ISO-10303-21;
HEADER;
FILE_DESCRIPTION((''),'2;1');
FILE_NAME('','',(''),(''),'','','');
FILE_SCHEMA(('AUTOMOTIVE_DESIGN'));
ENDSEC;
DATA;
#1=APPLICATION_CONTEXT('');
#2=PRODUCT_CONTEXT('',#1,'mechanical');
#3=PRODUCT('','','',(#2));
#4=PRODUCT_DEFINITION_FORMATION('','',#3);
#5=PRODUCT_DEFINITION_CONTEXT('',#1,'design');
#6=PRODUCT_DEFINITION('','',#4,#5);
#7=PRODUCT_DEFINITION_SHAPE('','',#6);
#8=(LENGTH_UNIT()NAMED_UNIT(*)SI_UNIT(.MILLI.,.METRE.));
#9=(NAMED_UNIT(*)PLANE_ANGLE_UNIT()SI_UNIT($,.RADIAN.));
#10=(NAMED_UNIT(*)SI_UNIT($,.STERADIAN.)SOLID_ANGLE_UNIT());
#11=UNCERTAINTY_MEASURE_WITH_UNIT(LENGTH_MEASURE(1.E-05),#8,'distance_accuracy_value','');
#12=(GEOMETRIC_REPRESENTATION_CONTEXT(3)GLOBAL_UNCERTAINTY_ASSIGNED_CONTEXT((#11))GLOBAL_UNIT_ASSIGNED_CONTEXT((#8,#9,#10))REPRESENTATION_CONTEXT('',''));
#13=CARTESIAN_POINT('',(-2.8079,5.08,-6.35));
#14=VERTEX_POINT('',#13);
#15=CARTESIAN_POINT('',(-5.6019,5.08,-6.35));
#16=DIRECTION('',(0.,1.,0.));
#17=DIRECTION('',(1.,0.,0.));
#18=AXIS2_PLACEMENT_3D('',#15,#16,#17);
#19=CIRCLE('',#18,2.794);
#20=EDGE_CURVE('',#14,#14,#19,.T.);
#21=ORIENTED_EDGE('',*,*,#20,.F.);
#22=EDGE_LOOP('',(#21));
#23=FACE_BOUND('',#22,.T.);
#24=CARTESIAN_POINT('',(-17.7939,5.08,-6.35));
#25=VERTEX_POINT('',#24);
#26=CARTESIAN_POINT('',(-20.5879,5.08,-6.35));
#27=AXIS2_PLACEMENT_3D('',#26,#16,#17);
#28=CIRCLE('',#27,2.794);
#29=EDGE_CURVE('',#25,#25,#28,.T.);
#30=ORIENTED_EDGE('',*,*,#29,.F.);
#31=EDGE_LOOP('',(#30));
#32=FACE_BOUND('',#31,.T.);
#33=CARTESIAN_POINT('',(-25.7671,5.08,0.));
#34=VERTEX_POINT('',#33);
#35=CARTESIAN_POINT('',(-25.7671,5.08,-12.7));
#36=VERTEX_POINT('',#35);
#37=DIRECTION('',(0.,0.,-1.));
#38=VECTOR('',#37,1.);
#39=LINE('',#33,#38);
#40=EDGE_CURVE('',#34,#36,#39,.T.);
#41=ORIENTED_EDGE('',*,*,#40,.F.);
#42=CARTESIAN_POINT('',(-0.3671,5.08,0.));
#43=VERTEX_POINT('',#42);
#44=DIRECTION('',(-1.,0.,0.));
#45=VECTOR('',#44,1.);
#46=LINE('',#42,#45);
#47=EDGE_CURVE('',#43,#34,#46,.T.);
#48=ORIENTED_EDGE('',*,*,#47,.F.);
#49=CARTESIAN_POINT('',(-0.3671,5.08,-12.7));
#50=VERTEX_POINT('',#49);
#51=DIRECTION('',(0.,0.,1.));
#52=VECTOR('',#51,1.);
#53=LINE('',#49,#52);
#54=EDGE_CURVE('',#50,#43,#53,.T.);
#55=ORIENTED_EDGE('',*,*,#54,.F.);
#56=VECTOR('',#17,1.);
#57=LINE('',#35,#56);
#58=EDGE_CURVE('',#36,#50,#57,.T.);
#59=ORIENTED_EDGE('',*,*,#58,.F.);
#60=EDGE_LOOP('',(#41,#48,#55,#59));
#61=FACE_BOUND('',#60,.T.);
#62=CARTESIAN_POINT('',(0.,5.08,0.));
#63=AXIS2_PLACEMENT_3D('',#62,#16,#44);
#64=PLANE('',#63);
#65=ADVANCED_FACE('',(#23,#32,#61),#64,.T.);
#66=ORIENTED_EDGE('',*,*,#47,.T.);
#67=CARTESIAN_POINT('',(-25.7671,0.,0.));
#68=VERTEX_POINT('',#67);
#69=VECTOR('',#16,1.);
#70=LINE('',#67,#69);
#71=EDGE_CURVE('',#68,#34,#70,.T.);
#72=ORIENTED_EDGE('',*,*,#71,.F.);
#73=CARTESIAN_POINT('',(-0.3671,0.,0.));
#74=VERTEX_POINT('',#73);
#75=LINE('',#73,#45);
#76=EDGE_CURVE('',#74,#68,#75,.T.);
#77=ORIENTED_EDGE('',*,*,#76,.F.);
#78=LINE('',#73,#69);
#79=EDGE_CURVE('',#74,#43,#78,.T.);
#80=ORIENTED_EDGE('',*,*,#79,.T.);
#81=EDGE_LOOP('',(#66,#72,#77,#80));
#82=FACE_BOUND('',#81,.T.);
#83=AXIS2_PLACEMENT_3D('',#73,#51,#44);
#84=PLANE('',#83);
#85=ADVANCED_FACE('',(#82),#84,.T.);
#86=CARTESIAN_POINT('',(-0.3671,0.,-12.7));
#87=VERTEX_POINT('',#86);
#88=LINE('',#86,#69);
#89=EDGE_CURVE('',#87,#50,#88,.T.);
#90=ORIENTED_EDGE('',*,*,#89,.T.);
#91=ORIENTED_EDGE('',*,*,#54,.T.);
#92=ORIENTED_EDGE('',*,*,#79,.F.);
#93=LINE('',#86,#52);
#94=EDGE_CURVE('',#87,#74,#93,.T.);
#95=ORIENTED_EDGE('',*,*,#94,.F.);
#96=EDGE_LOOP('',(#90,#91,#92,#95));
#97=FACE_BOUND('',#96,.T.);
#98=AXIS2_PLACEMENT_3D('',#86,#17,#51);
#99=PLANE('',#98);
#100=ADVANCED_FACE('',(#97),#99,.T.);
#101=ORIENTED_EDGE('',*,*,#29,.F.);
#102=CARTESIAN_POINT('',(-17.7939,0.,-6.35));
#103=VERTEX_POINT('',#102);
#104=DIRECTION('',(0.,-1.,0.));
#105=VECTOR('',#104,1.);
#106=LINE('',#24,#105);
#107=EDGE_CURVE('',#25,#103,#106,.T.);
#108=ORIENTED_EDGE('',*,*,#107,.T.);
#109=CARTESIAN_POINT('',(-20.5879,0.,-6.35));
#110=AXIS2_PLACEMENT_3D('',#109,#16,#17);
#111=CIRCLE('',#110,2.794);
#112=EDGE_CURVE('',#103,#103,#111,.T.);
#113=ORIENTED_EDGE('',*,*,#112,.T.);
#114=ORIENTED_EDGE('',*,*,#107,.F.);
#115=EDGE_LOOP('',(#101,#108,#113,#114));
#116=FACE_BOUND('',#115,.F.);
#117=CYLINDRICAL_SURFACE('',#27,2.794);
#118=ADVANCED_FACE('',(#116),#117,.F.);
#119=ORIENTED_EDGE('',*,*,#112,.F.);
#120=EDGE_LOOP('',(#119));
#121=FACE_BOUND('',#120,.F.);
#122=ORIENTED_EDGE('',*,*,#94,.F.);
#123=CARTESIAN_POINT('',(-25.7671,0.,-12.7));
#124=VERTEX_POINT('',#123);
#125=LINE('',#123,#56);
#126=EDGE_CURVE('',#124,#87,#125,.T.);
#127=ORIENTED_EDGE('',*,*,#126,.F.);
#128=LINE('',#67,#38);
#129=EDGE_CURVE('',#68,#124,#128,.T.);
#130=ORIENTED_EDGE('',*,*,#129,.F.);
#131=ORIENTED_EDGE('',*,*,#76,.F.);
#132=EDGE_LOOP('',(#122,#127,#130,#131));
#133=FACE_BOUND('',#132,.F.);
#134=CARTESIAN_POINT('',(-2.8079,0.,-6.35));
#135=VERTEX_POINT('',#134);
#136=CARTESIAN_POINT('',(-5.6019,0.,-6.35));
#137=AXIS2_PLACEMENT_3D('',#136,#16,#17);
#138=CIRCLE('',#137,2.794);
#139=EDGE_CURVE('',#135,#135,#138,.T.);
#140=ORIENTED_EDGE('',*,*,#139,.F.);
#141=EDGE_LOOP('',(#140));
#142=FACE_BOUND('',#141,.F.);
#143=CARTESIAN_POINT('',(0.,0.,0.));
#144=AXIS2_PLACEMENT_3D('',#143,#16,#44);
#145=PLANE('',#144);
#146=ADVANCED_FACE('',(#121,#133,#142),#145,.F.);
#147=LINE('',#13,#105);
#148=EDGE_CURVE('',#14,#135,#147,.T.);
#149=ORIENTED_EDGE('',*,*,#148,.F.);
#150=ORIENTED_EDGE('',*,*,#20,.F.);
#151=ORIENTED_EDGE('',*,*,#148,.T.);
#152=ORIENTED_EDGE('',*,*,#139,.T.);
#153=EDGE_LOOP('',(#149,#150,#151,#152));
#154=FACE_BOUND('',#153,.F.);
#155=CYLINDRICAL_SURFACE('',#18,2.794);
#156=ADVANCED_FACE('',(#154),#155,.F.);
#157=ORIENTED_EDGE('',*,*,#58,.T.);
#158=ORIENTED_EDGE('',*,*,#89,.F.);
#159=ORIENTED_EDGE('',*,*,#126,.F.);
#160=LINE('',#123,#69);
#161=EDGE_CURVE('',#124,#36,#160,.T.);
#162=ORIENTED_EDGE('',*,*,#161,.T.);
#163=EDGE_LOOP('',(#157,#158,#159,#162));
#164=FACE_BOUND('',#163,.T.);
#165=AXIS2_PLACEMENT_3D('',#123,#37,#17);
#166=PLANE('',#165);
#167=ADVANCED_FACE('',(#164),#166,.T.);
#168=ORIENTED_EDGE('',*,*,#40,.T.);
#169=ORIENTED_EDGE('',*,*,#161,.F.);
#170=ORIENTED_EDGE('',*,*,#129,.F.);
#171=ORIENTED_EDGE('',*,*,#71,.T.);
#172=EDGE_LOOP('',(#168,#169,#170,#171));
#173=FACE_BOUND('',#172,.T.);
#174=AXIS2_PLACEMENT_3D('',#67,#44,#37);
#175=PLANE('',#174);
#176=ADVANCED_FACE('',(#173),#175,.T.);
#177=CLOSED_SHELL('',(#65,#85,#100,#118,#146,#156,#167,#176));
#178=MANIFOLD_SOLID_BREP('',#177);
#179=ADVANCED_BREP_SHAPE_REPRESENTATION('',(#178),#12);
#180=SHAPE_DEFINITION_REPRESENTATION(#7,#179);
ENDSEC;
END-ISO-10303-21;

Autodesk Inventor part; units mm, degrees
ref_plane "YZ Plane" through (0, 0, 0) normal (1, 0, 0) x (0, 1, 0)
ref_plane "XZ Plane" through (0, 0, 0) normal (0, 1, 0) x (-1, 0, 0)
ref_plane "XY Plane" through (0, 0, 0) normal (0, 0, 1) x (1, 0, 0)
sketch "Spacer 2D" plane through (0, 0, 0) normal (0, 1, 0) x (-1, 0, 0)
  line L0 (0, -6.35) -> (26.162, -6.35) construction
  line L1 (13.0671, 0) -> (13.0671, -12.7) construction
  line L2 (25.7671, -12.7) -> (0.3671, -12.7)
  line L3 (0.3671, -12.7) -> (0.3671, 0)
  line L4 (0.3671, 0) -> (25.7671, 0)
  line L5 (25.7671, 0) -> (25.7671, -12.7)
  line L6 (25.7671, -12.7) -> (0.3671, 0) construction
  line L7 (0.3671, -12.7) -> (25.7671, 0) construction
  line L8 (13.081, -12.7) -> (13.081, 0) construction
  line L9 (25.7949, -12.7) -> (25.7949, 0) construction
  line L10 (17.78, -6.35) -> (24.8285, -6.35) construction
  line L11 (17.78, -6.35) -> (23.368, -6.35) construction
  circle A0 centre (20.574, -6.35) radius 2.794
  circle A1 centre (5.588, -6.35) radius 2.794
  line L12 (8.382, -6.35) -> (17.78, -6.35) construction
  line L13 (0.3949, 0) -> (0.3949, -12.7) construction
  line L14 (0.381, -12.7) -> (25.781, -12.7) construction
  line L15 (25.781, -12.7) -> (25.781, 0) construction
  line L16 (25.781, 0) -> (0.381, 0) construction
  line L17 (0.381, 0) -> (0.381, -12.7) construction
  line L18 (0.381, -12.7) -> (25.781, 0) construction
  line L19 (25.781, -12.7) -> (0.381, 0) construction
  point P0 (0, 0)
  point P1 (13.0671, -6.35)
  point P2 (13.081, -6.35)
  dimension "d17" = 25.4
  dimension "d18" = 12.7
  dimension "d31" = 5.588
  dimension "d32" = 9.398
  dimension "d33" = 8.001
  dimension "d34" = 8.001
  dimension "d35" = 2.4269
  dimension "d36" = 2.4269
extrude "Spacer Body" add sketch "Spacer 2D" along normal blind 5.08 contours L2 L3 L4 L5 | A0 | A1
sketch "Spacer Circles" plane through (0, 5.08, 0) normal (0, 1, 0) x (1, 0, 0)
  line L0 (-13.0949, 0) -> (-13.0949, 12.7) construction
  line L1 (-0.3671, 0) -> (-0.3671, 12.7) construction
  circle A0 centre (-5.6019, 6.35) radius 2.794
  circle A1 centre (-20.5879, 6.35) radius 2.794
  line L2 (-17.7939, 6.35) -> (-8.3959, 6.35) construction
  line L3 (-25.7671, 12.7) -> (-25.7671, 0) construction
  line L4 (-25.7949, 0) -> (-0.3949, 0) construction
  line L5 (-0.3949, 0) -> (-0.3949, 12.7) construction
  line L6 (-0.3949, 12.7) -> (-25.7949, 12.7) construction
  line L7 (-25.7949, 12.7) -> (-25.7949, 0) construction
  line L8 (-25.7949, 0) -> (-0.3949, 12.7) construction
  line L9 (-0.3949, 0) -> (-25.7949, 12.7) construction
  point P0 (-13.0949, 6.35)
  dimension "d26" = 9.398
  dimension "d29" = 8.001
  dimension "d30" = 8.001
extrude "Spacer Holes" cut sketch "Spacer Circles" against normal blind 10.16
equation "\"d36\" = d35"
properties part number "Rectangular Top Washer v1.2"
